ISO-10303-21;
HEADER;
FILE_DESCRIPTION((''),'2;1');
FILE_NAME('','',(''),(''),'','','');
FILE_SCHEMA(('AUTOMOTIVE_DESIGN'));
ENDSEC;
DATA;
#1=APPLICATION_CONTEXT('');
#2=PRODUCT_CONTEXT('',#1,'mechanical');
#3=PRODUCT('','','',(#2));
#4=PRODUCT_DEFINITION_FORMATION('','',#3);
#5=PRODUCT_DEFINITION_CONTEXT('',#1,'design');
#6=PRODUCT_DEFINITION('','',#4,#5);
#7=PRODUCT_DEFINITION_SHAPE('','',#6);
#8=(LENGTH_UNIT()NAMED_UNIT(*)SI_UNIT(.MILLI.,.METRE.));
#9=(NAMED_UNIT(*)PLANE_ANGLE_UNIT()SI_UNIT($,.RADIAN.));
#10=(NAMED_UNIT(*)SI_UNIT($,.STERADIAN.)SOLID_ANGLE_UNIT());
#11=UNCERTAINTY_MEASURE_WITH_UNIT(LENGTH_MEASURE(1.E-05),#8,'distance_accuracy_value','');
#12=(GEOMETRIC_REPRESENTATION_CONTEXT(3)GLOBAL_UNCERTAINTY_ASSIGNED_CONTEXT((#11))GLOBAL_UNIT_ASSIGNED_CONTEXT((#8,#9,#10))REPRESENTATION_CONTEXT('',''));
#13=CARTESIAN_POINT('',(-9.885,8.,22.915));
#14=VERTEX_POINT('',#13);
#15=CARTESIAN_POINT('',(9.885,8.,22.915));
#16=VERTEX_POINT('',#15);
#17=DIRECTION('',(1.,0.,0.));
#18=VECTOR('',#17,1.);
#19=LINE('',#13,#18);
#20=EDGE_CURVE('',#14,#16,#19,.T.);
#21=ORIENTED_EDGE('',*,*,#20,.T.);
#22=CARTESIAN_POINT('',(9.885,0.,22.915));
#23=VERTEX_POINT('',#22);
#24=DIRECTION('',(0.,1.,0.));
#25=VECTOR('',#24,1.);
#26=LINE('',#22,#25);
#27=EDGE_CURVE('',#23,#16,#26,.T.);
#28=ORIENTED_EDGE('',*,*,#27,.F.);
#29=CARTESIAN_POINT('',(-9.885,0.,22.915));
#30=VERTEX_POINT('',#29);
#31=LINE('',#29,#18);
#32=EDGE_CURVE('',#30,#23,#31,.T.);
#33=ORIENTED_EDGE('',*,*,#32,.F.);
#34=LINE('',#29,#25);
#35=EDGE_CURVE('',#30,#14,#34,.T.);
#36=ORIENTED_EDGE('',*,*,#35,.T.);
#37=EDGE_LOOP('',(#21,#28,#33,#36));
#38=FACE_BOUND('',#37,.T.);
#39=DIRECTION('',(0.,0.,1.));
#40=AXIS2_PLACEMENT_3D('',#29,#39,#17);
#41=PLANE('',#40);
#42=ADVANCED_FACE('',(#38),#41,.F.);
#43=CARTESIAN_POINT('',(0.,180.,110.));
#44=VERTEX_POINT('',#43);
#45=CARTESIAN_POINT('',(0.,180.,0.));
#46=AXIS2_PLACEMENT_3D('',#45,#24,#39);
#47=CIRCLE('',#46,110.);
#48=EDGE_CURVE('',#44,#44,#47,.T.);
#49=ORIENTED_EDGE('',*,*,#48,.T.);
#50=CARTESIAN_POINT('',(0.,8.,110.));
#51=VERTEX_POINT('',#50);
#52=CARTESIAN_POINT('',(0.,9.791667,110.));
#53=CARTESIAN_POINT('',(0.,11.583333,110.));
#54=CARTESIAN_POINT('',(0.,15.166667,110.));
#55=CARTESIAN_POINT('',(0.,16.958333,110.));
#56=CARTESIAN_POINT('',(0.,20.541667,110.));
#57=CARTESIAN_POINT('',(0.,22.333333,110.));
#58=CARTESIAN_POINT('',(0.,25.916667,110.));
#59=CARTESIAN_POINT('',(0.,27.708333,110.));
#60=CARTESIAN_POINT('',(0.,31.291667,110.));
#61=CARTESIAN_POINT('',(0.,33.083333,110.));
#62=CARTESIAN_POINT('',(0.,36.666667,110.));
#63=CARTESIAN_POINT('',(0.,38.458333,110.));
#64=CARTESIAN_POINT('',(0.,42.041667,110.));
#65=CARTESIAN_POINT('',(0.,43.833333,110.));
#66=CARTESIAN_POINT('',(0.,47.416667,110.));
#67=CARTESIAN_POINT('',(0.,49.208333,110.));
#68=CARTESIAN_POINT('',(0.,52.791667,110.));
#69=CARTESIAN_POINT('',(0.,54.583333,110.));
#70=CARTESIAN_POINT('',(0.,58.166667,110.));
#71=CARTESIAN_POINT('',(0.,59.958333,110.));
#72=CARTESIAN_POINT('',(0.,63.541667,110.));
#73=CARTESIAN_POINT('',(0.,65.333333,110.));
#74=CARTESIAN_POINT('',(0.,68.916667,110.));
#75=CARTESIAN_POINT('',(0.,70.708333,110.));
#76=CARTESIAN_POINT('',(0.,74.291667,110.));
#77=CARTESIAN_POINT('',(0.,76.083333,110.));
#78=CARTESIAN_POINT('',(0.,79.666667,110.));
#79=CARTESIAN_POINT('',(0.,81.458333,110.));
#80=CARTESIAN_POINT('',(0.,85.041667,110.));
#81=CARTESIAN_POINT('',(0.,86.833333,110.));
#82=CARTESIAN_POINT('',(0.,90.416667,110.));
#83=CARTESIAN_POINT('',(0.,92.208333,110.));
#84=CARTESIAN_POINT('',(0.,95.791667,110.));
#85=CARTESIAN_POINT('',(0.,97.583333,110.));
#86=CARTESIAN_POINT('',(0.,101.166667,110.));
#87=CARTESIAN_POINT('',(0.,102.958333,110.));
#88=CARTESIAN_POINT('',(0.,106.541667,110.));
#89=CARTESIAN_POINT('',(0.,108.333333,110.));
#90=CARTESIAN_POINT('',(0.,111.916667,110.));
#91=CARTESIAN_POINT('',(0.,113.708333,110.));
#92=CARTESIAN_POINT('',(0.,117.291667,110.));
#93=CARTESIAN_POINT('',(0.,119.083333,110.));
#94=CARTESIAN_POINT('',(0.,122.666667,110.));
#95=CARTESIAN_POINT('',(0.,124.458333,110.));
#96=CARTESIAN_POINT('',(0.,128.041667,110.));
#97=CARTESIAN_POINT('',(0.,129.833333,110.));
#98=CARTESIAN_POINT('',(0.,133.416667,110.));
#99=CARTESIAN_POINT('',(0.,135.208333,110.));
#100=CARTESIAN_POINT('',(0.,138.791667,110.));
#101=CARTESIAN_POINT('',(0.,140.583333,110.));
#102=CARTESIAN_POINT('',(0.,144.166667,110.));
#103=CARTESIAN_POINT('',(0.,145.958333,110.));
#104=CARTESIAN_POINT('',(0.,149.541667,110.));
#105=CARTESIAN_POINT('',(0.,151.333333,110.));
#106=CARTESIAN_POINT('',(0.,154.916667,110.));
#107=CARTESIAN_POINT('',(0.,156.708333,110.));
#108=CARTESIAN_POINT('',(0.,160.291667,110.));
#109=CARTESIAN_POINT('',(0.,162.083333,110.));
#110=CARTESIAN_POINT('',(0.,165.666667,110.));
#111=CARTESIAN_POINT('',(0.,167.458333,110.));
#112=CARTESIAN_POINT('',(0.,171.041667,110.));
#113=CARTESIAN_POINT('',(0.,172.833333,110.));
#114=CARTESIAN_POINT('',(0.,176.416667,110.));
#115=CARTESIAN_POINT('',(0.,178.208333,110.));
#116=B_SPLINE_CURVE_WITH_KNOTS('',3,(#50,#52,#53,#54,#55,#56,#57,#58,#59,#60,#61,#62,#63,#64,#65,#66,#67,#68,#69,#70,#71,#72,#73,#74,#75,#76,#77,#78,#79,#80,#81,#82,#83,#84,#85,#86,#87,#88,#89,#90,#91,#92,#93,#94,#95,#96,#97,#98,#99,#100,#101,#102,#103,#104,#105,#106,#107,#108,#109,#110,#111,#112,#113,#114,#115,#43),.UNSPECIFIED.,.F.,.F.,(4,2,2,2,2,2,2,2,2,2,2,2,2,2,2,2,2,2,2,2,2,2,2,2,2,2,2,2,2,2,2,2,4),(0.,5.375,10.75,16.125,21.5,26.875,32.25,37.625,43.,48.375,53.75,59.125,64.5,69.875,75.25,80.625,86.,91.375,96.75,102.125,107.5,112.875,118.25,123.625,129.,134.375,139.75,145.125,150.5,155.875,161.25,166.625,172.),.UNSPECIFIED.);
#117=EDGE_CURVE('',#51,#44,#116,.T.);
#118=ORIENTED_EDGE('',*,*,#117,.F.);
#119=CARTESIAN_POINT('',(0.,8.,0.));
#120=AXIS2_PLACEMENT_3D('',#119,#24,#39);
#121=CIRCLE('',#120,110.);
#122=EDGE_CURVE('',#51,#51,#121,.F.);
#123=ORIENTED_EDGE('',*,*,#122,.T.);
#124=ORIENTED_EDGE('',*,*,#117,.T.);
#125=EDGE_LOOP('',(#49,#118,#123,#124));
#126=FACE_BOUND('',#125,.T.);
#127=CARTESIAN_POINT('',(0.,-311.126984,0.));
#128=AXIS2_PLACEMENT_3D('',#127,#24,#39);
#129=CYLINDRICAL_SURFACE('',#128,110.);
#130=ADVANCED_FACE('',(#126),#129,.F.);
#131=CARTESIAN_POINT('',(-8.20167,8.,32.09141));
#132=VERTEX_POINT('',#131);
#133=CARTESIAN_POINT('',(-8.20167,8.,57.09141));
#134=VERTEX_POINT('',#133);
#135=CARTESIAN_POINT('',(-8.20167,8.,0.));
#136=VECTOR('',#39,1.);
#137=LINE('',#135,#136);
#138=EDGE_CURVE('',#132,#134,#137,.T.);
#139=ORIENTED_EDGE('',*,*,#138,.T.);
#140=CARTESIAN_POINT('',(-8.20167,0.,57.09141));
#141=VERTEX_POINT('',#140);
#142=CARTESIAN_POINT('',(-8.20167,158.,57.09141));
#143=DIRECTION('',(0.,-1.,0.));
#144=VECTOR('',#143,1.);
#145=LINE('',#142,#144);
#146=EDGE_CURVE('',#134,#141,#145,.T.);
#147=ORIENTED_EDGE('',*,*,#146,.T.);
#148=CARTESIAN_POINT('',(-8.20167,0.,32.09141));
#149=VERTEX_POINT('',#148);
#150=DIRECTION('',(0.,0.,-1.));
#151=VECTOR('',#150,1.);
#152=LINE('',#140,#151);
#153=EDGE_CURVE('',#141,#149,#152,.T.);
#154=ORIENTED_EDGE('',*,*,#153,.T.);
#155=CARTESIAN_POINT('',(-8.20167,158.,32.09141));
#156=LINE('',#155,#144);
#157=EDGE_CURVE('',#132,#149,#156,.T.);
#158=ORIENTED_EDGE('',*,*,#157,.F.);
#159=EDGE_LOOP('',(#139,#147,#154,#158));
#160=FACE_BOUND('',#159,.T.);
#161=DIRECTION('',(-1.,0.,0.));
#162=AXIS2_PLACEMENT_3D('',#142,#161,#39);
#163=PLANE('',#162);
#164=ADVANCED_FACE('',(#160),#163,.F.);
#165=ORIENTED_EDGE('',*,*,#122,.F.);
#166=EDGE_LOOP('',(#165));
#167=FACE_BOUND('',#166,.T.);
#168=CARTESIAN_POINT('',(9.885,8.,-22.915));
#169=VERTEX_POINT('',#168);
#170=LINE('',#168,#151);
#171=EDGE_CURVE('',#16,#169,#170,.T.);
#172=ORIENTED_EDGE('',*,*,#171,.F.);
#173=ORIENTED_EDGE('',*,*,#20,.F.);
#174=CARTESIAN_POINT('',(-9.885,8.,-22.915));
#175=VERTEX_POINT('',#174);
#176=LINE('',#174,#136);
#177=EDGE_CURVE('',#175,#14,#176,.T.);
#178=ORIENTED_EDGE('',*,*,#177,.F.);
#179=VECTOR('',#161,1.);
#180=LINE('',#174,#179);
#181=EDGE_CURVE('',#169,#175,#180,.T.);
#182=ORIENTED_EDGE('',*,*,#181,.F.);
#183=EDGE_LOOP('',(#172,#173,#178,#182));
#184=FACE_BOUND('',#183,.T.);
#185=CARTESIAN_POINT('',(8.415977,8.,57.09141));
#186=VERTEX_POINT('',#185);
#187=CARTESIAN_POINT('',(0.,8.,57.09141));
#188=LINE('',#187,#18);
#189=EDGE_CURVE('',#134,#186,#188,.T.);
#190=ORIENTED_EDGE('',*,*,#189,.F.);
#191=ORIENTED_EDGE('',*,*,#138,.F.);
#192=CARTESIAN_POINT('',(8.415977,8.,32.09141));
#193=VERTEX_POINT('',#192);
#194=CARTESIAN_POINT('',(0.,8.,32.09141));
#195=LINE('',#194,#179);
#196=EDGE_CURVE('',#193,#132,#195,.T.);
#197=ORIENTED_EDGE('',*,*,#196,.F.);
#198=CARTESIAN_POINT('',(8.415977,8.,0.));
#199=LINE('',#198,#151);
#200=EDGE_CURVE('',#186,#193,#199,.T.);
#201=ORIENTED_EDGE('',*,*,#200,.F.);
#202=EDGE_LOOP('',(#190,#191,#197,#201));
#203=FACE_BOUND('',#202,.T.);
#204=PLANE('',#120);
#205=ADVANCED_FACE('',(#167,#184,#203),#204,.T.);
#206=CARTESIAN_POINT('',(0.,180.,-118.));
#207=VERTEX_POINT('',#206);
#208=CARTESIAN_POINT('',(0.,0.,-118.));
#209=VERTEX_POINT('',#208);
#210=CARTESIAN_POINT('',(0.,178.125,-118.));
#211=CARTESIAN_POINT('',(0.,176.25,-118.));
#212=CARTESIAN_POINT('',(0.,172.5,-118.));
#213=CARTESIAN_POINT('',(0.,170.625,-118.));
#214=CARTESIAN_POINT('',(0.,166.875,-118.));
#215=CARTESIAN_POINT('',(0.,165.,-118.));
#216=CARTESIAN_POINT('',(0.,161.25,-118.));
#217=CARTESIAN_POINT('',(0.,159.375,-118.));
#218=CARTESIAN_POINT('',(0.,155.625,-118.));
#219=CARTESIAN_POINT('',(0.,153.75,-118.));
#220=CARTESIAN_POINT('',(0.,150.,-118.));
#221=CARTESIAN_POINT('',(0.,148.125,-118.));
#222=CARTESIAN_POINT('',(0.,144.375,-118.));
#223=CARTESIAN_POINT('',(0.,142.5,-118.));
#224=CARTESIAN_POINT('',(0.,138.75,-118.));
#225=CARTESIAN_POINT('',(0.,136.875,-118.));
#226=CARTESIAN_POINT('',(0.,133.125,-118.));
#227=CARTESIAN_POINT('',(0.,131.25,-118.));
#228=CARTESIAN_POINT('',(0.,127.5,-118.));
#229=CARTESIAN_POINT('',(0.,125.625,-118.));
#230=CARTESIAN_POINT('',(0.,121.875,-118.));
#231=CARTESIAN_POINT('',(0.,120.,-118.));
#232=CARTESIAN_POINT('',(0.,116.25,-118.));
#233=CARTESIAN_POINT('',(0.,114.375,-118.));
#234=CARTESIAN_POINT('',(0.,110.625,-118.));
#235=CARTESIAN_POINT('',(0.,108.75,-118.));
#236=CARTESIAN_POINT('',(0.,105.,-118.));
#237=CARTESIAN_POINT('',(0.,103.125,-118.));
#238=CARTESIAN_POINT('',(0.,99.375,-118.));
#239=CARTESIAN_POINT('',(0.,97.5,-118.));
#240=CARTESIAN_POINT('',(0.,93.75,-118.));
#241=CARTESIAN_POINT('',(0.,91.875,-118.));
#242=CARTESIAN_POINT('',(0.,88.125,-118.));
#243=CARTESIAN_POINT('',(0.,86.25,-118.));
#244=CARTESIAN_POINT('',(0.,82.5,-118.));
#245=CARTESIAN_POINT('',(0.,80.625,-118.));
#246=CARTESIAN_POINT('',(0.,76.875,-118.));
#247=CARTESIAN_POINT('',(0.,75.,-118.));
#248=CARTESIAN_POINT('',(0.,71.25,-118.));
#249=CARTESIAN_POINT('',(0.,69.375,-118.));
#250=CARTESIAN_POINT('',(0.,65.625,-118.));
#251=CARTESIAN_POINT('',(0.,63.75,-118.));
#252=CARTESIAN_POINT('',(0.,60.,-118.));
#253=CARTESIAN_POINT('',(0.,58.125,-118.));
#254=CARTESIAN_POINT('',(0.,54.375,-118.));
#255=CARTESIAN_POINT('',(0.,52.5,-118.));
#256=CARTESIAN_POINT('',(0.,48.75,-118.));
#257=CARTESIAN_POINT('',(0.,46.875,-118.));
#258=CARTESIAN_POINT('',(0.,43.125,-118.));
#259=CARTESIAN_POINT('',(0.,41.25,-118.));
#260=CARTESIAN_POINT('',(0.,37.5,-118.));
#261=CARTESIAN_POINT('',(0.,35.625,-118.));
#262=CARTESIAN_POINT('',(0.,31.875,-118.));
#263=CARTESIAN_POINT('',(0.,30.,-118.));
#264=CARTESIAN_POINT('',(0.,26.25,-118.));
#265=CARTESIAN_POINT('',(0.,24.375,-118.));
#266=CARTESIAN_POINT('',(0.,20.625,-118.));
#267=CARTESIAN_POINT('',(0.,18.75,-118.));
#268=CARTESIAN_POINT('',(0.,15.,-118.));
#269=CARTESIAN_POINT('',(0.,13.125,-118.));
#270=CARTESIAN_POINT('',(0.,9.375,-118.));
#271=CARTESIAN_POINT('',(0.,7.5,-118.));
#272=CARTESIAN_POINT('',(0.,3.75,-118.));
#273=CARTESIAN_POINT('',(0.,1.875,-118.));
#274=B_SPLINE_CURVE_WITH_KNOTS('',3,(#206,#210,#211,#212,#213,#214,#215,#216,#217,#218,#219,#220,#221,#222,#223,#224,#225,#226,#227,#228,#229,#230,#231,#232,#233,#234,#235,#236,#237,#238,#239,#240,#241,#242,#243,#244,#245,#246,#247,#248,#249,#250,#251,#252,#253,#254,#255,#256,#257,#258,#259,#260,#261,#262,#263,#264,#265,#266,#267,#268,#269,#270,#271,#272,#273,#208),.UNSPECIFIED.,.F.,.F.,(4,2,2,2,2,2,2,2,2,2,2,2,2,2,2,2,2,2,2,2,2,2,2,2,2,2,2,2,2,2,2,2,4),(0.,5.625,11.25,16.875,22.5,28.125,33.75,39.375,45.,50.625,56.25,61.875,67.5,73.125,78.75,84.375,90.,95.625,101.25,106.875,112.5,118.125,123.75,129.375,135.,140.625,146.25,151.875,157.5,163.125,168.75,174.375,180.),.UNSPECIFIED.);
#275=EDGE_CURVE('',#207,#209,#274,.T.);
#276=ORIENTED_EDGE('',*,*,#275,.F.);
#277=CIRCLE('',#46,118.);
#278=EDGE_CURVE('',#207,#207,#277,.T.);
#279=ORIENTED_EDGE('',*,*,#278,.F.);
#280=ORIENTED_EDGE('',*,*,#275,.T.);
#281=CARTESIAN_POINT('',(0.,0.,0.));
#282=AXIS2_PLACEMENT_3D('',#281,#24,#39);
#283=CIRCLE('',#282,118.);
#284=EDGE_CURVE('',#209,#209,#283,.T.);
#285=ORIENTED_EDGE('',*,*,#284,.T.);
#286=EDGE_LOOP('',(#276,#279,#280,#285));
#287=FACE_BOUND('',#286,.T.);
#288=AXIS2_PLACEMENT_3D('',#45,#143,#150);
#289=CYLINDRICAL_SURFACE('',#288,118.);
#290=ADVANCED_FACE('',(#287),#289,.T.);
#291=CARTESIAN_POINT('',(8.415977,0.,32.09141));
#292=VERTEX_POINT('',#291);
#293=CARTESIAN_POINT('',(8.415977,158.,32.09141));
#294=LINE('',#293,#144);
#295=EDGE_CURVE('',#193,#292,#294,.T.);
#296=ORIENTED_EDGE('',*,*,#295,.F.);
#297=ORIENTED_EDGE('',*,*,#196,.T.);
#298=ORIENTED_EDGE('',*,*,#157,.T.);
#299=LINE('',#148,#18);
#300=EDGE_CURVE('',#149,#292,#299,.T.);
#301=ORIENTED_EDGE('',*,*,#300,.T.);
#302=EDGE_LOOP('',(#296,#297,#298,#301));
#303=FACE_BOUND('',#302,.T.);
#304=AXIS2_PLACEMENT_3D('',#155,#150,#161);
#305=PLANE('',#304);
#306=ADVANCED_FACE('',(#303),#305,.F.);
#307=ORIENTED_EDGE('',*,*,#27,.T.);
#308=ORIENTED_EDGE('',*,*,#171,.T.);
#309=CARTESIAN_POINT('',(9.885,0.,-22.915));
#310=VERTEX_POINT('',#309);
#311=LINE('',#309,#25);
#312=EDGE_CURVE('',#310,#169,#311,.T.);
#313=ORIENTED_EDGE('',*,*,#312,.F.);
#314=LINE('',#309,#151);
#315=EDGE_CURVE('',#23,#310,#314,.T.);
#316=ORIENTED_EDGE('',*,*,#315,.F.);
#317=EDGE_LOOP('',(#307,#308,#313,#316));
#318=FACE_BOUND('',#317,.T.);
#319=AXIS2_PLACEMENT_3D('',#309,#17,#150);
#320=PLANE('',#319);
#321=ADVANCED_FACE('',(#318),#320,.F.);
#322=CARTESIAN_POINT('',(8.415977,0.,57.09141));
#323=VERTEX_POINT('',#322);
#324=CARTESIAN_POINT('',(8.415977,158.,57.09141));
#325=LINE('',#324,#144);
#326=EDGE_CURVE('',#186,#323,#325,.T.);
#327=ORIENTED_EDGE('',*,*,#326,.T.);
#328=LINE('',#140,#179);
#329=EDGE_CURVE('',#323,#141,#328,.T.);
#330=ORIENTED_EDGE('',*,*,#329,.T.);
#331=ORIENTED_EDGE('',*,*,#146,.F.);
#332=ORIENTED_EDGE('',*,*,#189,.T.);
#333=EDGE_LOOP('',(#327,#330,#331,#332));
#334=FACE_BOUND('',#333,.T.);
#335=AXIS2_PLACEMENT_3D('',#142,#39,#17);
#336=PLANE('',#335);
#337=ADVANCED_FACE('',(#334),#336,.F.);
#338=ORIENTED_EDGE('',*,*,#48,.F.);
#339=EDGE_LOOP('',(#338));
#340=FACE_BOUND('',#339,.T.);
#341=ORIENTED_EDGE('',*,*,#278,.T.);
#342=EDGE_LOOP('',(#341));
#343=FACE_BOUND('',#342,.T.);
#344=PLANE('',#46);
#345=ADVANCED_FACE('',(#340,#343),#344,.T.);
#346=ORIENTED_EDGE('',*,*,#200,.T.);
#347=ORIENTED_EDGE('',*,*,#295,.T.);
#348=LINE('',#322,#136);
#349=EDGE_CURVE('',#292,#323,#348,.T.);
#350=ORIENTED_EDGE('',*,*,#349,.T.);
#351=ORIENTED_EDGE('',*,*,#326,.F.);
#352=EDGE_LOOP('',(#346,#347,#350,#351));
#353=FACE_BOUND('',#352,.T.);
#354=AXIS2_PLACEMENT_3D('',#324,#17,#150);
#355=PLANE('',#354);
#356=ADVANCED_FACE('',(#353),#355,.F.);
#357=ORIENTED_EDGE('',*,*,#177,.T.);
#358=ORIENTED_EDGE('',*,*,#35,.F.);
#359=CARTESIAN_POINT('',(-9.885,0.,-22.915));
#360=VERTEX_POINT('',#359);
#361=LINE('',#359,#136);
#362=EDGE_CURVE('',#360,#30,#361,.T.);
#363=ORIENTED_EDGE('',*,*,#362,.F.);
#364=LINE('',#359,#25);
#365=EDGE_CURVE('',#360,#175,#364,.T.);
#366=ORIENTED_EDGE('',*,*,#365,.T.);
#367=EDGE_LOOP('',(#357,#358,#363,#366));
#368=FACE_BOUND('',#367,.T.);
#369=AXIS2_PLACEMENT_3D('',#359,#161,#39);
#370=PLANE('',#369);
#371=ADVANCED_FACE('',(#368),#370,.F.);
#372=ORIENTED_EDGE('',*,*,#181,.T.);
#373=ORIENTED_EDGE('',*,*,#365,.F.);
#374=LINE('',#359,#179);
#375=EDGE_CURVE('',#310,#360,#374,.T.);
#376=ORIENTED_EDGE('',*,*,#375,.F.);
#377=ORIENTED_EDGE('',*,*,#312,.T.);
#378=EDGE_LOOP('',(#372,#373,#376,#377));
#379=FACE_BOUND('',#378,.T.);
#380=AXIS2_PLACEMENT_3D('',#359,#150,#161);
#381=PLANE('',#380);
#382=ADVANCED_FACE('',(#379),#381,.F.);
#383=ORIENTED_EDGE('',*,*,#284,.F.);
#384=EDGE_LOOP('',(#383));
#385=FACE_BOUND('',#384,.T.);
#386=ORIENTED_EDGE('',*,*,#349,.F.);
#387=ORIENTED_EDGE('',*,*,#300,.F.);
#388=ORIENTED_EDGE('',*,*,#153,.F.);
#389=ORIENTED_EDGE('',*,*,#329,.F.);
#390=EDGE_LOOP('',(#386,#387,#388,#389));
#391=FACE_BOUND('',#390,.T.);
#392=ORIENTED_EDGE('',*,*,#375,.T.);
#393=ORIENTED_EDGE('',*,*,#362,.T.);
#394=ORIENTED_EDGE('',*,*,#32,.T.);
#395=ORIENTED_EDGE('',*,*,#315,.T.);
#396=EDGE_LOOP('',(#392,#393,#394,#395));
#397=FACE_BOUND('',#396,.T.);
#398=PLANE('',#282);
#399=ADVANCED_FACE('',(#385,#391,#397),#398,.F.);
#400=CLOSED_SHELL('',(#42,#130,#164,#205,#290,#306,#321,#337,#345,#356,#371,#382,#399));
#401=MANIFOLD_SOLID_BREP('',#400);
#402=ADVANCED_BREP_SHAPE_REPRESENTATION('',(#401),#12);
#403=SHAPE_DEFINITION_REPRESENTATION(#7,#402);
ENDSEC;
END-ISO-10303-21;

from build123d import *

# Parameters (mm, degrees)
SKETCH1_R           = 118
BOSS_EXTRUDE1_DEPTH = 180
SKETCH3_R           = 110
CUT_EXTRUDE1_DEPTH  = 172
SKETCH6_W           = 19.77
SKETCH6_H           = 45.83
CUT_EXTRUDE2_DEPTH  = 240.649744419
SKETCH7_W           = 16.617647061
SKETCH7_H           = 25
CUT_EXTRUDE3_DEPTH  = 158


with BuildPart() as part:
    # Sketch1 → Boss-Extrude1 (new body)
    with BuildSketch(Plane(origin=(0, 0, 0), x_dir=(1, 0, 0), z_dir=(0, 1, 0))):
        with Locations(Location((0, 0, 0), (0, 0, 90))):
            Circle(SKETCH1_R)
    extrude(amount=BOSS_EXTRUDE1_DEPTH)

    # Sketch3 → Cut-Extrude1 (cut)
    with BuildSketch(Plane(origin=(0, 180, 0), x_dir=(1, 0, 0), z_dir=(0, 1, 0))):
        with Locations(Location((0, 0, 0), (0, 0, 270))):
            Circle(SKETCH3_R)
    extrude(amount=-CUT_EXTRUDE1_DEPTH, mode=Mode.SUBTRACT)

    # Sketch6 → Cut-Extrude2 (cut, through all)
    with BuildSketch(Plane(origin=(0, 8, 0), x_dir=(1, 0, 0), z_dir=(0, 1, 0))):
        Rectangle(SKETCH6_W, SKETCH6_H)
    extrude(amount=-CUT_EXTRUDE2_DEPTH, mode=Mode.SUBTRACT)

    # Sketch7 → Cut-Extrude3 (cut)
    with BuildSketch(Plane.XZ):
        with Locations((0.107153446, 44.591409708)):
            Rectangle(SKETCH7_W, SKETCH7_H)
    extrude(amount=-CUT_EXTRUDE3_DEPTH, mode=Mode.SUBTRACT)


solid = part.part
